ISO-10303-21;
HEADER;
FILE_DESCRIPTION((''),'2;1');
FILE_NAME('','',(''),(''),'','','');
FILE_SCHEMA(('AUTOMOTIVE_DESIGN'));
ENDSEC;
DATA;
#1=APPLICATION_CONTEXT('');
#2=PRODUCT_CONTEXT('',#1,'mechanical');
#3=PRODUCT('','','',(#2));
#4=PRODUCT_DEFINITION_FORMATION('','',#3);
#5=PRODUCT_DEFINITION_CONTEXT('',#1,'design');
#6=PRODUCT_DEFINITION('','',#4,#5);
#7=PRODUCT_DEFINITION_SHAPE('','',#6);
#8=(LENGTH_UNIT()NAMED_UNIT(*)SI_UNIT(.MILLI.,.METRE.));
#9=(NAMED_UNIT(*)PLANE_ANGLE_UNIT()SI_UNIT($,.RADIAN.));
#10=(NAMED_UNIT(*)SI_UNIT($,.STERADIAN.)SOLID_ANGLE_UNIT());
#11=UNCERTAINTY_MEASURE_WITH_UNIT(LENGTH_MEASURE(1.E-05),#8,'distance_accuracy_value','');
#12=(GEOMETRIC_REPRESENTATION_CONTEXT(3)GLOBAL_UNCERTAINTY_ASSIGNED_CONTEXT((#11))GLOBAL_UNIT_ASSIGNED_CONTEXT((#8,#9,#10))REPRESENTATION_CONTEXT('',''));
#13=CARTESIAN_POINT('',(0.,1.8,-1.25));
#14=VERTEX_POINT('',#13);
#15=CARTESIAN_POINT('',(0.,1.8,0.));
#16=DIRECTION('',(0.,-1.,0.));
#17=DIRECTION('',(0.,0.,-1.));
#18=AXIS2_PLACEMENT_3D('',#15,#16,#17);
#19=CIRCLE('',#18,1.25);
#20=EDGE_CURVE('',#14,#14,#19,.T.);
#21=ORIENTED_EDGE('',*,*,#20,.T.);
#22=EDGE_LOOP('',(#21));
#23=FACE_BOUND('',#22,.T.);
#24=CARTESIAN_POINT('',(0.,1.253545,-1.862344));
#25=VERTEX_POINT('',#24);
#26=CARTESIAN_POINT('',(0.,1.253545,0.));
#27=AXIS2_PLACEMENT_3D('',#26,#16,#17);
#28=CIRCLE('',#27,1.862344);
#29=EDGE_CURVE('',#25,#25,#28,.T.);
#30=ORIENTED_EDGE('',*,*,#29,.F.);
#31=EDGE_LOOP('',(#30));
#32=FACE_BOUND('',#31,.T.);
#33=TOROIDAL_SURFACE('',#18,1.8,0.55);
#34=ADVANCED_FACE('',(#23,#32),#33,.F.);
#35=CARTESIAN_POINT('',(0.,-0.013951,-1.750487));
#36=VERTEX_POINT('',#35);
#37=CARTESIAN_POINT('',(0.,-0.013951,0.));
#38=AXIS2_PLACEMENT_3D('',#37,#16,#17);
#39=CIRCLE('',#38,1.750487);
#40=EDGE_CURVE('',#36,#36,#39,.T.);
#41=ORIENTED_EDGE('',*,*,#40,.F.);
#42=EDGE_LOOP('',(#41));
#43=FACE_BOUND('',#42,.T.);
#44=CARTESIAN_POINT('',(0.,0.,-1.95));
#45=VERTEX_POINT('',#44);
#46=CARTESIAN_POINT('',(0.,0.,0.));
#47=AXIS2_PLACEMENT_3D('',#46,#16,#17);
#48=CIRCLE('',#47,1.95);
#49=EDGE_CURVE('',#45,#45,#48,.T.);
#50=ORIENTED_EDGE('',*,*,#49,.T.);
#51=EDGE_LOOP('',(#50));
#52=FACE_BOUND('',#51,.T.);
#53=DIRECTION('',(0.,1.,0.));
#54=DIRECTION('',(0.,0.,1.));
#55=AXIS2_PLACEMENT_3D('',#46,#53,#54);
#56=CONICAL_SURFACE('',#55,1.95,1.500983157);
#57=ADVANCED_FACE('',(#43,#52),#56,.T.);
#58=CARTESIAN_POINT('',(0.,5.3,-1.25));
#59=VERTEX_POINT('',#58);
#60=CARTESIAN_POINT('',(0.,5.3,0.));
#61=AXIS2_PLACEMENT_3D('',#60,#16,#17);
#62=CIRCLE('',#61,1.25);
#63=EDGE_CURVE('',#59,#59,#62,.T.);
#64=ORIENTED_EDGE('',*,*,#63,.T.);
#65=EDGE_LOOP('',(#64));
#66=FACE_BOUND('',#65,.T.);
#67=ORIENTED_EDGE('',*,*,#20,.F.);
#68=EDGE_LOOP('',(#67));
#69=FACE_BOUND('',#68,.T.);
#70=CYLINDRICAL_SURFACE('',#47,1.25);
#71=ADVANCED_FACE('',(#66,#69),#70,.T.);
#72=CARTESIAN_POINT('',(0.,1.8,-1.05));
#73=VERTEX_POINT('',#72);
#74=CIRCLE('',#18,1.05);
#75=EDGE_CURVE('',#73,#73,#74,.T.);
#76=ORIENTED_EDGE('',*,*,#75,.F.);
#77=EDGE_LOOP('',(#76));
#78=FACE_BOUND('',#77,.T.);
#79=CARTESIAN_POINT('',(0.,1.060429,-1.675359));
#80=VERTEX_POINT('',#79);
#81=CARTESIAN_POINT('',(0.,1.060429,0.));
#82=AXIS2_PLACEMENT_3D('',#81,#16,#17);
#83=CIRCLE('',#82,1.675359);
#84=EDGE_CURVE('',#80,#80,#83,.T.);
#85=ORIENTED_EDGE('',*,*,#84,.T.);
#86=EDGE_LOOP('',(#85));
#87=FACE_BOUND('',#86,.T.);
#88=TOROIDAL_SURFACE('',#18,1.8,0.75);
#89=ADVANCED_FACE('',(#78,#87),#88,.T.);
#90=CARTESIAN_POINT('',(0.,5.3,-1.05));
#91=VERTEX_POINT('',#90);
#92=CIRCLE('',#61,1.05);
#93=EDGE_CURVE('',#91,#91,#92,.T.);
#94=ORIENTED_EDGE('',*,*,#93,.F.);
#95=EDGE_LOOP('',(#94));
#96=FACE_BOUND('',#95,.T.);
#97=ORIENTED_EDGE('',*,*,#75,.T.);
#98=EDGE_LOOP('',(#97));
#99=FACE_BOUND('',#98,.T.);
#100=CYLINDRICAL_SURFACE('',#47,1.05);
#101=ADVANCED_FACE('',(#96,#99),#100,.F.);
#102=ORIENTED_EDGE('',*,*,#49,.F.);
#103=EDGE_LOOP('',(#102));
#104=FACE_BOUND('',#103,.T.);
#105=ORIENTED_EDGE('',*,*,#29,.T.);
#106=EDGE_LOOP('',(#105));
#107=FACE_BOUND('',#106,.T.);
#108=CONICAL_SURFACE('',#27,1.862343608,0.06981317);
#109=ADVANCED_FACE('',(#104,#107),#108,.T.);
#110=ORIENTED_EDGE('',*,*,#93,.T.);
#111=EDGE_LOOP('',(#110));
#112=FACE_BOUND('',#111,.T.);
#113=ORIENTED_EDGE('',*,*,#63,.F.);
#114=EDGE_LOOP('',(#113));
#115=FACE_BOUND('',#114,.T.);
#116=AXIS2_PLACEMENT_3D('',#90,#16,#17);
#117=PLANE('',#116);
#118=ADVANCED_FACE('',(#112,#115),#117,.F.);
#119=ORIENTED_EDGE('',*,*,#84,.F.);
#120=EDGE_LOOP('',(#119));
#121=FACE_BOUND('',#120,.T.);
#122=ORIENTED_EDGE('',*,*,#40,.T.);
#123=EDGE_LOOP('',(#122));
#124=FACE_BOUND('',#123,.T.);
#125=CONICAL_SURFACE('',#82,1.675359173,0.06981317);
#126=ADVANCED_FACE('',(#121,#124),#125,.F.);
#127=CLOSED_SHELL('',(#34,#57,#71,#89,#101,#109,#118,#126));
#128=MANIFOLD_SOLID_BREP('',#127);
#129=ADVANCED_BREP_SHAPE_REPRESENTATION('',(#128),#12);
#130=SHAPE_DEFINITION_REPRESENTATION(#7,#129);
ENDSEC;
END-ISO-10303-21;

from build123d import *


with BuildPart() as part:
    # Szkic2 → Obrót-cienka ścianka3 (revolve)
    with BuildSketch(Plane(origin=(0, 0, 0), x_dir=(0, 0, -1), z_dir=(1, 0, 0))):
        with BuildLine():
            Line((1.25, 5.3), (1.25, 1.8))
            ThreePointArc((1.25, 1.8), (1.433795811, 1.38964102), (1.862343608, 1.25354481))
            Line((1.862343608, 1.25354481), (1.95, 0))
            Line((1.95, 0), (1.75048719, -0.013951295))
            Line((1.75048719, -0.013951295), (1.675359173, 1.060429406))
            ThreePointArc((1.675359173, 1.060429406), (1.227295617, 1.315737995), (1.05, 1.8))
            Line((1.05, 1.8), (1.05, 5.3))
            Line((1.05, 5.3), (1.25, 5.3))
        make_face()
    revolve(axis=Axis((0, 0, 0), (0, 1, 0)))


solid = part.part
